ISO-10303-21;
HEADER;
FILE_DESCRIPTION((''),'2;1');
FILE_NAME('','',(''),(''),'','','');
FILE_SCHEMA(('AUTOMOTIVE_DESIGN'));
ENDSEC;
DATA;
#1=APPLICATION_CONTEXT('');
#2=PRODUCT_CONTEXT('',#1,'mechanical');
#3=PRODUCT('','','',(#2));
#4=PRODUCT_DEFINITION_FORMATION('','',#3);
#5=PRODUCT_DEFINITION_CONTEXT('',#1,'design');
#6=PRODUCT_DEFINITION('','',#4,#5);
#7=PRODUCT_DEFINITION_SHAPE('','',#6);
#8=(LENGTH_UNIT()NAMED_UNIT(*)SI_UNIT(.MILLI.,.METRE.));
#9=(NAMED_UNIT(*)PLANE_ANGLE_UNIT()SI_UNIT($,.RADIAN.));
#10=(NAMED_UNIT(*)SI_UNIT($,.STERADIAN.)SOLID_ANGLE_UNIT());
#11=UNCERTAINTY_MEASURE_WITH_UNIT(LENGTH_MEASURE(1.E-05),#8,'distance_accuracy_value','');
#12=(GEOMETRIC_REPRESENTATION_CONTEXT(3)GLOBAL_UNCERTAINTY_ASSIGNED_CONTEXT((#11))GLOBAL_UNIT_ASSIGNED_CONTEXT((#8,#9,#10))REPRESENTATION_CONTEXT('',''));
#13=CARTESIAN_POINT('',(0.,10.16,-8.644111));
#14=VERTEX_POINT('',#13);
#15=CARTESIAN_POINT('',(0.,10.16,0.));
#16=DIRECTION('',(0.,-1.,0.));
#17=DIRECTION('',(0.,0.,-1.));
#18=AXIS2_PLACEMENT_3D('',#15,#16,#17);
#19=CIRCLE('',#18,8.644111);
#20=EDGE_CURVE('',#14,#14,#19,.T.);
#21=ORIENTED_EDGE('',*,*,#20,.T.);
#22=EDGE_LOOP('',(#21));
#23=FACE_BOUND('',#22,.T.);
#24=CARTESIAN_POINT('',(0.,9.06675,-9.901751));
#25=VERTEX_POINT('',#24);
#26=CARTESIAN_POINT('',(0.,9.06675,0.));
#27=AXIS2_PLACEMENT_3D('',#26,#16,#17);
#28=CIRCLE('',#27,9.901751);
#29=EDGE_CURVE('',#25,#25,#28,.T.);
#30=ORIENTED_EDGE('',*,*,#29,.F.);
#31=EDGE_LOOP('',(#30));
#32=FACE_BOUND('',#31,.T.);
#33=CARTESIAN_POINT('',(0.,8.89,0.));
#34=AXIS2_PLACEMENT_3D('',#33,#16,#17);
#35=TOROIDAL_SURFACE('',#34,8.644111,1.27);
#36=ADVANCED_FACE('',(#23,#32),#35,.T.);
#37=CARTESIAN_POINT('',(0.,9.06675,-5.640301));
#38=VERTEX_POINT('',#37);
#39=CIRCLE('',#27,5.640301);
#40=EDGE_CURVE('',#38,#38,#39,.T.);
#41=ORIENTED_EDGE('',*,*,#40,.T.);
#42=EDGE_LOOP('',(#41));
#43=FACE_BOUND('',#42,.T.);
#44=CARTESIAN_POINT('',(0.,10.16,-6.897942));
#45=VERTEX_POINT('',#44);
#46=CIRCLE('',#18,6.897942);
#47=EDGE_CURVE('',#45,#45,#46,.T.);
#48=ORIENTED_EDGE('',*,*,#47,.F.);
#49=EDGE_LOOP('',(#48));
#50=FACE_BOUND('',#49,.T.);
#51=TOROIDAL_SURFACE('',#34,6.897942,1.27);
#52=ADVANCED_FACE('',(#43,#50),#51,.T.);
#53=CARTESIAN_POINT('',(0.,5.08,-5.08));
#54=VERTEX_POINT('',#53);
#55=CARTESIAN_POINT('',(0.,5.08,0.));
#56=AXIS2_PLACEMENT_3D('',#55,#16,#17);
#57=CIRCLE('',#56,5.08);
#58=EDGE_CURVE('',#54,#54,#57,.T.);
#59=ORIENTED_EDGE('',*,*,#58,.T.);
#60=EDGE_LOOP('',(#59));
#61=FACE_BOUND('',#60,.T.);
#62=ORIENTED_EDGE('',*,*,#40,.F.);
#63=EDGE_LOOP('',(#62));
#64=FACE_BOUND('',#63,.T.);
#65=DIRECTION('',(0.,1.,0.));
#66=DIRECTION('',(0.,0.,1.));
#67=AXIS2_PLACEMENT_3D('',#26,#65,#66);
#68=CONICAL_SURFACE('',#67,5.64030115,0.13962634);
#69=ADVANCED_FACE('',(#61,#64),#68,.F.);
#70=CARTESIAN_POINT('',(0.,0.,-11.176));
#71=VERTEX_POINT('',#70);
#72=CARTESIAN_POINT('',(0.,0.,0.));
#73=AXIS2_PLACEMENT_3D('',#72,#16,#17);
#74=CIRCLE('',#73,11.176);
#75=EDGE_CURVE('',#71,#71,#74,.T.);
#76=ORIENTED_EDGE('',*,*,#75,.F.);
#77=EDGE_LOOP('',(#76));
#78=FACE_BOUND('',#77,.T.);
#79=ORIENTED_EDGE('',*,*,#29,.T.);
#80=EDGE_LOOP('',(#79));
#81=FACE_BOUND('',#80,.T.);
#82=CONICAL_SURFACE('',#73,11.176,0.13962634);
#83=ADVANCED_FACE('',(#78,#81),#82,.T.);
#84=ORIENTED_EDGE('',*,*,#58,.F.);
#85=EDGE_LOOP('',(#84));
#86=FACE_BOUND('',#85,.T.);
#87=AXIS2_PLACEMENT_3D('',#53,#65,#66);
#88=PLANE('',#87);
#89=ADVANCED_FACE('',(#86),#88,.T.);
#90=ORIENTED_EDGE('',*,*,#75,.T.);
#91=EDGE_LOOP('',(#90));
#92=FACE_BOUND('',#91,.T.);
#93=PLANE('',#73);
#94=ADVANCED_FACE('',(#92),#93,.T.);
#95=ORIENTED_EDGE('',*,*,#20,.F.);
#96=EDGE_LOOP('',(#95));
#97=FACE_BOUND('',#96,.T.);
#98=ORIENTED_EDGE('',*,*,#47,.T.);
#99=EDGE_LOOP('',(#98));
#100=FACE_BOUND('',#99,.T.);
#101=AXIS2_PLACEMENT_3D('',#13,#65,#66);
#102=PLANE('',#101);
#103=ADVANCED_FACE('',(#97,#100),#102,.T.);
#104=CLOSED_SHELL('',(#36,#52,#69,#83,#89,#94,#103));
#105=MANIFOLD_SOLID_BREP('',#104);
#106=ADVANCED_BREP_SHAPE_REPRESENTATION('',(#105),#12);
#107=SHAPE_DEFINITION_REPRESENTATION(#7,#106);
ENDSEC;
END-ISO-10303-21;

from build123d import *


with BuildPart() as part:
    # Sketch1 → Revolve1 (revolve)
    with BuildSketch(Plane(origin=(0, 0, 0), x_dir=(0, 0, -1), z_dir=(1, 0, 0))):
        with BuildLine():
            Line((0, 0), (11.176, 0))
            Line((11.176, 0), (9.90175141, 9.066749838))
            ThreePointArc((9.90175141, 9.066749838), (9.477305929, 9.848481167), (8.644110962, 10.16))
            Line((8.644110962, 10.16), (6.897941597, 10.16))
            ThreePointArc((6.897941597, 10.16), (6.06474663, 9.848481167), (5.64030115, 9.066749838))
            Line((5.64030115, 9.066749838), (5.08, 5.08))
            Line((5.08, 5.08), (0, 5.08))
            Line((0, 5.08), (0, 0))
        make_face()
    revolve(axis=Axis((0, 0, 0), (0, 1, 0)))


solid = part.part
